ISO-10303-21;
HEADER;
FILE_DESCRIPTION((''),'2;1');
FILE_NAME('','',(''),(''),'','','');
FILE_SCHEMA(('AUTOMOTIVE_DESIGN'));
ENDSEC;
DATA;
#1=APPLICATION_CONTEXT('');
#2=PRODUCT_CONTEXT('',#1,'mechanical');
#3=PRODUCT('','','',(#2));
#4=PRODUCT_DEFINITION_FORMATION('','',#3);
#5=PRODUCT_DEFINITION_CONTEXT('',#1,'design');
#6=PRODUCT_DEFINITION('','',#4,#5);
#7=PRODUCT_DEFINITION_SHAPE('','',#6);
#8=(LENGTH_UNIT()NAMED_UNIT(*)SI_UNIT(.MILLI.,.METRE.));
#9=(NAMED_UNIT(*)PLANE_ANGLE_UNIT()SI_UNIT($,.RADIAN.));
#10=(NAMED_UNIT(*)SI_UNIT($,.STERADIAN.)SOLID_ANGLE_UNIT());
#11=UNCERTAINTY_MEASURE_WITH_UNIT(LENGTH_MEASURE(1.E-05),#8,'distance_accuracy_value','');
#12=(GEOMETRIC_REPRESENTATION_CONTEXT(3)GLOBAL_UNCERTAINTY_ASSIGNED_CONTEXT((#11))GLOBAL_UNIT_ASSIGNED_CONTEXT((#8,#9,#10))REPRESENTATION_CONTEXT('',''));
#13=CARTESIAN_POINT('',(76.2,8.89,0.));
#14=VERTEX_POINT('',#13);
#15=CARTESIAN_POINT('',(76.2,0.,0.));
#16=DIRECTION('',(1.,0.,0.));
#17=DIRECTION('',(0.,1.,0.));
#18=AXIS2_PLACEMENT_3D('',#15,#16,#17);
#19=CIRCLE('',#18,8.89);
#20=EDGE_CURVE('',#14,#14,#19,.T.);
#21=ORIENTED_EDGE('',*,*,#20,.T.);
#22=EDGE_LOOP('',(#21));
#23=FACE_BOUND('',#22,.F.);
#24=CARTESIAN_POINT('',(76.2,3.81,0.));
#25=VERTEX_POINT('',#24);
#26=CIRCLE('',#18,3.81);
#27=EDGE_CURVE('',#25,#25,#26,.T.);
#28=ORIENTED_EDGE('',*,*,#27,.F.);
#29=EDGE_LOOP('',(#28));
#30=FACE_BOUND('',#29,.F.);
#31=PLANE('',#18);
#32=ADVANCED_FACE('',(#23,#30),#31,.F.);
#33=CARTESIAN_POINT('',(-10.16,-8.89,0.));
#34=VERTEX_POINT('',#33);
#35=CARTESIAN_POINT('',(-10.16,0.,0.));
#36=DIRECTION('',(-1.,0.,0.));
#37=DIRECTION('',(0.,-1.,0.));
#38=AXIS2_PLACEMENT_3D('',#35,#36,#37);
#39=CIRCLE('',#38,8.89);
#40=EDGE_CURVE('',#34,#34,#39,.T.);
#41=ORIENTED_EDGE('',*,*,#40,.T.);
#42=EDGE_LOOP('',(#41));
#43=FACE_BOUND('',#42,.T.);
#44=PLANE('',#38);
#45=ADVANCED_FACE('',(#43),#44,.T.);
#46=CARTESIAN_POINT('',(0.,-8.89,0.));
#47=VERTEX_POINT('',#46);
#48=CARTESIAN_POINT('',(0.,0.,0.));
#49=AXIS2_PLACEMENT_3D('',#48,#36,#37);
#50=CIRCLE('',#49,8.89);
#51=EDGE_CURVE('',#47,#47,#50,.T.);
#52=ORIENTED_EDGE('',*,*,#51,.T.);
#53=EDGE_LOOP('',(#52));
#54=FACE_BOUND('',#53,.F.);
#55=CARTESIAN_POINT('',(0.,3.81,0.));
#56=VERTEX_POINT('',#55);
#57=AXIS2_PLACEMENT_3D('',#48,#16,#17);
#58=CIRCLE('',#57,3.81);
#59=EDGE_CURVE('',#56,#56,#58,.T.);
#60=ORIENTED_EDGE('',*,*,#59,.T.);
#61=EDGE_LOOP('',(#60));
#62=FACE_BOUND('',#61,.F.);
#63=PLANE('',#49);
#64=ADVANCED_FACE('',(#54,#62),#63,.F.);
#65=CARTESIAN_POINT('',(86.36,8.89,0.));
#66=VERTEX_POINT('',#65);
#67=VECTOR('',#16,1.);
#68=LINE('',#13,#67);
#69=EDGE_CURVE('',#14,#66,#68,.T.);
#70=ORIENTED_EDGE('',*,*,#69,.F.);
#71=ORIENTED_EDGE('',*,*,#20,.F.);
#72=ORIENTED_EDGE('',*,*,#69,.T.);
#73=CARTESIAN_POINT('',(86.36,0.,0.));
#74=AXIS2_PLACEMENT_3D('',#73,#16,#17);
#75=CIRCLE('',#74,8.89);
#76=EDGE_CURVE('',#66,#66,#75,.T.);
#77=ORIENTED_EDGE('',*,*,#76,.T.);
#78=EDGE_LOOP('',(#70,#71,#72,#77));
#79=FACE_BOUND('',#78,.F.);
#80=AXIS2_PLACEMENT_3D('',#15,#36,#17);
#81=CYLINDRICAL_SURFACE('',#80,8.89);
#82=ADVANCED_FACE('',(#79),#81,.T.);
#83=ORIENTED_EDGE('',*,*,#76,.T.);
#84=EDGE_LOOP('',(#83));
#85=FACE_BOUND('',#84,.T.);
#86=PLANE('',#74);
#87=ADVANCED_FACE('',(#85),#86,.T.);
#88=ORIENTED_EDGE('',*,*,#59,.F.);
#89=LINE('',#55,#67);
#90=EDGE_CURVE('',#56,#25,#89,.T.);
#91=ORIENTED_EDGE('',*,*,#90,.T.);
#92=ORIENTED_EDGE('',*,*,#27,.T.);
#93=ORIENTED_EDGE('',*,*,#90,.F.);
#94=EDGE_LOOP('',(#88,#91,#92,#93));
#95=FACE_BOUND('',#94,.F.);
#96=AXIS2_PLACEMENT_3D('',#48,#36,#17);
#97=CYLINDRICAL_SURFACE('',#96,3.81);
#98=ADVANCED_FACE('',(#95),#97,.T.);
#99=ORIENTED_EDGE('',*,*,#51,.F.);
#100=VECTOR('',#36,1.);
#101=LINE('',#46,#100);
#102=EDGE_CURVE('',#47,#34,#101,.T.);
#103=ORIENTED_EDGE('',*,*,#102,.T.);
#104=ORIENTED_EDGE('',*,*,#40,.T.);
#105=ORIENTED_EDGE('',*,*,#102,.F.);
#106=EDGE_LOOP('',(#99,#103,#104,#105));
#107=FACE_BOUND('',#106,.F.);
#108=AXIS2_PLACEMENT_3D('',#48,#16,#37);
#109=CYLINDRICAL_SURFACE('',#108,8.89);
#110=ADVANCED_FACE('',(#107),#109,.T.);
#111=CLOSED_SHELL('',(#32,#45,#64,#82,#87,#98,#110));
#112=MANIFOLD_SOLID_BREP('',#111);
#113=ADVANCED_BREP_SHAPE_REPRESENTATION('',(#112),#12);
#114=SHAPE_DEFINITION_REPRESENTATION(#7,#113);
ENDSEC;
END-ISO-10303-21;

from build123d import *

# Parameters (mm, degrees)
F0_R     = 3.81
F1_DEPTH = 76.2
F3_R     = 8.89
F4_DEPTH = 10.16
F5_R     = 8.89
F6_DEPTH = 10.16


with BuildPart() as f1:
    # F0 (on Right) → F1 (new body)
    with BuildSketch(Plane.YZ):
        Circle(F0_R)
    extrude(amount=F1_DEPTH)

    # F3 (on face) → F4 (join)
    with BuildSketch(Plane(origin=(0, 0, 0), x_dir=(0, -1, 0), z_dir=(-1, 0, 0))):
        Circle(F3_R)
    extrude(amount=F4_DEPTH)

    # F5 (on face) → F6 (join)
    with BuildSketch(Plane.YZ.offset(76.2)):
        Circle(F5_R)
    extrude(amount=F6_DEPTH)


solid = f1.part
